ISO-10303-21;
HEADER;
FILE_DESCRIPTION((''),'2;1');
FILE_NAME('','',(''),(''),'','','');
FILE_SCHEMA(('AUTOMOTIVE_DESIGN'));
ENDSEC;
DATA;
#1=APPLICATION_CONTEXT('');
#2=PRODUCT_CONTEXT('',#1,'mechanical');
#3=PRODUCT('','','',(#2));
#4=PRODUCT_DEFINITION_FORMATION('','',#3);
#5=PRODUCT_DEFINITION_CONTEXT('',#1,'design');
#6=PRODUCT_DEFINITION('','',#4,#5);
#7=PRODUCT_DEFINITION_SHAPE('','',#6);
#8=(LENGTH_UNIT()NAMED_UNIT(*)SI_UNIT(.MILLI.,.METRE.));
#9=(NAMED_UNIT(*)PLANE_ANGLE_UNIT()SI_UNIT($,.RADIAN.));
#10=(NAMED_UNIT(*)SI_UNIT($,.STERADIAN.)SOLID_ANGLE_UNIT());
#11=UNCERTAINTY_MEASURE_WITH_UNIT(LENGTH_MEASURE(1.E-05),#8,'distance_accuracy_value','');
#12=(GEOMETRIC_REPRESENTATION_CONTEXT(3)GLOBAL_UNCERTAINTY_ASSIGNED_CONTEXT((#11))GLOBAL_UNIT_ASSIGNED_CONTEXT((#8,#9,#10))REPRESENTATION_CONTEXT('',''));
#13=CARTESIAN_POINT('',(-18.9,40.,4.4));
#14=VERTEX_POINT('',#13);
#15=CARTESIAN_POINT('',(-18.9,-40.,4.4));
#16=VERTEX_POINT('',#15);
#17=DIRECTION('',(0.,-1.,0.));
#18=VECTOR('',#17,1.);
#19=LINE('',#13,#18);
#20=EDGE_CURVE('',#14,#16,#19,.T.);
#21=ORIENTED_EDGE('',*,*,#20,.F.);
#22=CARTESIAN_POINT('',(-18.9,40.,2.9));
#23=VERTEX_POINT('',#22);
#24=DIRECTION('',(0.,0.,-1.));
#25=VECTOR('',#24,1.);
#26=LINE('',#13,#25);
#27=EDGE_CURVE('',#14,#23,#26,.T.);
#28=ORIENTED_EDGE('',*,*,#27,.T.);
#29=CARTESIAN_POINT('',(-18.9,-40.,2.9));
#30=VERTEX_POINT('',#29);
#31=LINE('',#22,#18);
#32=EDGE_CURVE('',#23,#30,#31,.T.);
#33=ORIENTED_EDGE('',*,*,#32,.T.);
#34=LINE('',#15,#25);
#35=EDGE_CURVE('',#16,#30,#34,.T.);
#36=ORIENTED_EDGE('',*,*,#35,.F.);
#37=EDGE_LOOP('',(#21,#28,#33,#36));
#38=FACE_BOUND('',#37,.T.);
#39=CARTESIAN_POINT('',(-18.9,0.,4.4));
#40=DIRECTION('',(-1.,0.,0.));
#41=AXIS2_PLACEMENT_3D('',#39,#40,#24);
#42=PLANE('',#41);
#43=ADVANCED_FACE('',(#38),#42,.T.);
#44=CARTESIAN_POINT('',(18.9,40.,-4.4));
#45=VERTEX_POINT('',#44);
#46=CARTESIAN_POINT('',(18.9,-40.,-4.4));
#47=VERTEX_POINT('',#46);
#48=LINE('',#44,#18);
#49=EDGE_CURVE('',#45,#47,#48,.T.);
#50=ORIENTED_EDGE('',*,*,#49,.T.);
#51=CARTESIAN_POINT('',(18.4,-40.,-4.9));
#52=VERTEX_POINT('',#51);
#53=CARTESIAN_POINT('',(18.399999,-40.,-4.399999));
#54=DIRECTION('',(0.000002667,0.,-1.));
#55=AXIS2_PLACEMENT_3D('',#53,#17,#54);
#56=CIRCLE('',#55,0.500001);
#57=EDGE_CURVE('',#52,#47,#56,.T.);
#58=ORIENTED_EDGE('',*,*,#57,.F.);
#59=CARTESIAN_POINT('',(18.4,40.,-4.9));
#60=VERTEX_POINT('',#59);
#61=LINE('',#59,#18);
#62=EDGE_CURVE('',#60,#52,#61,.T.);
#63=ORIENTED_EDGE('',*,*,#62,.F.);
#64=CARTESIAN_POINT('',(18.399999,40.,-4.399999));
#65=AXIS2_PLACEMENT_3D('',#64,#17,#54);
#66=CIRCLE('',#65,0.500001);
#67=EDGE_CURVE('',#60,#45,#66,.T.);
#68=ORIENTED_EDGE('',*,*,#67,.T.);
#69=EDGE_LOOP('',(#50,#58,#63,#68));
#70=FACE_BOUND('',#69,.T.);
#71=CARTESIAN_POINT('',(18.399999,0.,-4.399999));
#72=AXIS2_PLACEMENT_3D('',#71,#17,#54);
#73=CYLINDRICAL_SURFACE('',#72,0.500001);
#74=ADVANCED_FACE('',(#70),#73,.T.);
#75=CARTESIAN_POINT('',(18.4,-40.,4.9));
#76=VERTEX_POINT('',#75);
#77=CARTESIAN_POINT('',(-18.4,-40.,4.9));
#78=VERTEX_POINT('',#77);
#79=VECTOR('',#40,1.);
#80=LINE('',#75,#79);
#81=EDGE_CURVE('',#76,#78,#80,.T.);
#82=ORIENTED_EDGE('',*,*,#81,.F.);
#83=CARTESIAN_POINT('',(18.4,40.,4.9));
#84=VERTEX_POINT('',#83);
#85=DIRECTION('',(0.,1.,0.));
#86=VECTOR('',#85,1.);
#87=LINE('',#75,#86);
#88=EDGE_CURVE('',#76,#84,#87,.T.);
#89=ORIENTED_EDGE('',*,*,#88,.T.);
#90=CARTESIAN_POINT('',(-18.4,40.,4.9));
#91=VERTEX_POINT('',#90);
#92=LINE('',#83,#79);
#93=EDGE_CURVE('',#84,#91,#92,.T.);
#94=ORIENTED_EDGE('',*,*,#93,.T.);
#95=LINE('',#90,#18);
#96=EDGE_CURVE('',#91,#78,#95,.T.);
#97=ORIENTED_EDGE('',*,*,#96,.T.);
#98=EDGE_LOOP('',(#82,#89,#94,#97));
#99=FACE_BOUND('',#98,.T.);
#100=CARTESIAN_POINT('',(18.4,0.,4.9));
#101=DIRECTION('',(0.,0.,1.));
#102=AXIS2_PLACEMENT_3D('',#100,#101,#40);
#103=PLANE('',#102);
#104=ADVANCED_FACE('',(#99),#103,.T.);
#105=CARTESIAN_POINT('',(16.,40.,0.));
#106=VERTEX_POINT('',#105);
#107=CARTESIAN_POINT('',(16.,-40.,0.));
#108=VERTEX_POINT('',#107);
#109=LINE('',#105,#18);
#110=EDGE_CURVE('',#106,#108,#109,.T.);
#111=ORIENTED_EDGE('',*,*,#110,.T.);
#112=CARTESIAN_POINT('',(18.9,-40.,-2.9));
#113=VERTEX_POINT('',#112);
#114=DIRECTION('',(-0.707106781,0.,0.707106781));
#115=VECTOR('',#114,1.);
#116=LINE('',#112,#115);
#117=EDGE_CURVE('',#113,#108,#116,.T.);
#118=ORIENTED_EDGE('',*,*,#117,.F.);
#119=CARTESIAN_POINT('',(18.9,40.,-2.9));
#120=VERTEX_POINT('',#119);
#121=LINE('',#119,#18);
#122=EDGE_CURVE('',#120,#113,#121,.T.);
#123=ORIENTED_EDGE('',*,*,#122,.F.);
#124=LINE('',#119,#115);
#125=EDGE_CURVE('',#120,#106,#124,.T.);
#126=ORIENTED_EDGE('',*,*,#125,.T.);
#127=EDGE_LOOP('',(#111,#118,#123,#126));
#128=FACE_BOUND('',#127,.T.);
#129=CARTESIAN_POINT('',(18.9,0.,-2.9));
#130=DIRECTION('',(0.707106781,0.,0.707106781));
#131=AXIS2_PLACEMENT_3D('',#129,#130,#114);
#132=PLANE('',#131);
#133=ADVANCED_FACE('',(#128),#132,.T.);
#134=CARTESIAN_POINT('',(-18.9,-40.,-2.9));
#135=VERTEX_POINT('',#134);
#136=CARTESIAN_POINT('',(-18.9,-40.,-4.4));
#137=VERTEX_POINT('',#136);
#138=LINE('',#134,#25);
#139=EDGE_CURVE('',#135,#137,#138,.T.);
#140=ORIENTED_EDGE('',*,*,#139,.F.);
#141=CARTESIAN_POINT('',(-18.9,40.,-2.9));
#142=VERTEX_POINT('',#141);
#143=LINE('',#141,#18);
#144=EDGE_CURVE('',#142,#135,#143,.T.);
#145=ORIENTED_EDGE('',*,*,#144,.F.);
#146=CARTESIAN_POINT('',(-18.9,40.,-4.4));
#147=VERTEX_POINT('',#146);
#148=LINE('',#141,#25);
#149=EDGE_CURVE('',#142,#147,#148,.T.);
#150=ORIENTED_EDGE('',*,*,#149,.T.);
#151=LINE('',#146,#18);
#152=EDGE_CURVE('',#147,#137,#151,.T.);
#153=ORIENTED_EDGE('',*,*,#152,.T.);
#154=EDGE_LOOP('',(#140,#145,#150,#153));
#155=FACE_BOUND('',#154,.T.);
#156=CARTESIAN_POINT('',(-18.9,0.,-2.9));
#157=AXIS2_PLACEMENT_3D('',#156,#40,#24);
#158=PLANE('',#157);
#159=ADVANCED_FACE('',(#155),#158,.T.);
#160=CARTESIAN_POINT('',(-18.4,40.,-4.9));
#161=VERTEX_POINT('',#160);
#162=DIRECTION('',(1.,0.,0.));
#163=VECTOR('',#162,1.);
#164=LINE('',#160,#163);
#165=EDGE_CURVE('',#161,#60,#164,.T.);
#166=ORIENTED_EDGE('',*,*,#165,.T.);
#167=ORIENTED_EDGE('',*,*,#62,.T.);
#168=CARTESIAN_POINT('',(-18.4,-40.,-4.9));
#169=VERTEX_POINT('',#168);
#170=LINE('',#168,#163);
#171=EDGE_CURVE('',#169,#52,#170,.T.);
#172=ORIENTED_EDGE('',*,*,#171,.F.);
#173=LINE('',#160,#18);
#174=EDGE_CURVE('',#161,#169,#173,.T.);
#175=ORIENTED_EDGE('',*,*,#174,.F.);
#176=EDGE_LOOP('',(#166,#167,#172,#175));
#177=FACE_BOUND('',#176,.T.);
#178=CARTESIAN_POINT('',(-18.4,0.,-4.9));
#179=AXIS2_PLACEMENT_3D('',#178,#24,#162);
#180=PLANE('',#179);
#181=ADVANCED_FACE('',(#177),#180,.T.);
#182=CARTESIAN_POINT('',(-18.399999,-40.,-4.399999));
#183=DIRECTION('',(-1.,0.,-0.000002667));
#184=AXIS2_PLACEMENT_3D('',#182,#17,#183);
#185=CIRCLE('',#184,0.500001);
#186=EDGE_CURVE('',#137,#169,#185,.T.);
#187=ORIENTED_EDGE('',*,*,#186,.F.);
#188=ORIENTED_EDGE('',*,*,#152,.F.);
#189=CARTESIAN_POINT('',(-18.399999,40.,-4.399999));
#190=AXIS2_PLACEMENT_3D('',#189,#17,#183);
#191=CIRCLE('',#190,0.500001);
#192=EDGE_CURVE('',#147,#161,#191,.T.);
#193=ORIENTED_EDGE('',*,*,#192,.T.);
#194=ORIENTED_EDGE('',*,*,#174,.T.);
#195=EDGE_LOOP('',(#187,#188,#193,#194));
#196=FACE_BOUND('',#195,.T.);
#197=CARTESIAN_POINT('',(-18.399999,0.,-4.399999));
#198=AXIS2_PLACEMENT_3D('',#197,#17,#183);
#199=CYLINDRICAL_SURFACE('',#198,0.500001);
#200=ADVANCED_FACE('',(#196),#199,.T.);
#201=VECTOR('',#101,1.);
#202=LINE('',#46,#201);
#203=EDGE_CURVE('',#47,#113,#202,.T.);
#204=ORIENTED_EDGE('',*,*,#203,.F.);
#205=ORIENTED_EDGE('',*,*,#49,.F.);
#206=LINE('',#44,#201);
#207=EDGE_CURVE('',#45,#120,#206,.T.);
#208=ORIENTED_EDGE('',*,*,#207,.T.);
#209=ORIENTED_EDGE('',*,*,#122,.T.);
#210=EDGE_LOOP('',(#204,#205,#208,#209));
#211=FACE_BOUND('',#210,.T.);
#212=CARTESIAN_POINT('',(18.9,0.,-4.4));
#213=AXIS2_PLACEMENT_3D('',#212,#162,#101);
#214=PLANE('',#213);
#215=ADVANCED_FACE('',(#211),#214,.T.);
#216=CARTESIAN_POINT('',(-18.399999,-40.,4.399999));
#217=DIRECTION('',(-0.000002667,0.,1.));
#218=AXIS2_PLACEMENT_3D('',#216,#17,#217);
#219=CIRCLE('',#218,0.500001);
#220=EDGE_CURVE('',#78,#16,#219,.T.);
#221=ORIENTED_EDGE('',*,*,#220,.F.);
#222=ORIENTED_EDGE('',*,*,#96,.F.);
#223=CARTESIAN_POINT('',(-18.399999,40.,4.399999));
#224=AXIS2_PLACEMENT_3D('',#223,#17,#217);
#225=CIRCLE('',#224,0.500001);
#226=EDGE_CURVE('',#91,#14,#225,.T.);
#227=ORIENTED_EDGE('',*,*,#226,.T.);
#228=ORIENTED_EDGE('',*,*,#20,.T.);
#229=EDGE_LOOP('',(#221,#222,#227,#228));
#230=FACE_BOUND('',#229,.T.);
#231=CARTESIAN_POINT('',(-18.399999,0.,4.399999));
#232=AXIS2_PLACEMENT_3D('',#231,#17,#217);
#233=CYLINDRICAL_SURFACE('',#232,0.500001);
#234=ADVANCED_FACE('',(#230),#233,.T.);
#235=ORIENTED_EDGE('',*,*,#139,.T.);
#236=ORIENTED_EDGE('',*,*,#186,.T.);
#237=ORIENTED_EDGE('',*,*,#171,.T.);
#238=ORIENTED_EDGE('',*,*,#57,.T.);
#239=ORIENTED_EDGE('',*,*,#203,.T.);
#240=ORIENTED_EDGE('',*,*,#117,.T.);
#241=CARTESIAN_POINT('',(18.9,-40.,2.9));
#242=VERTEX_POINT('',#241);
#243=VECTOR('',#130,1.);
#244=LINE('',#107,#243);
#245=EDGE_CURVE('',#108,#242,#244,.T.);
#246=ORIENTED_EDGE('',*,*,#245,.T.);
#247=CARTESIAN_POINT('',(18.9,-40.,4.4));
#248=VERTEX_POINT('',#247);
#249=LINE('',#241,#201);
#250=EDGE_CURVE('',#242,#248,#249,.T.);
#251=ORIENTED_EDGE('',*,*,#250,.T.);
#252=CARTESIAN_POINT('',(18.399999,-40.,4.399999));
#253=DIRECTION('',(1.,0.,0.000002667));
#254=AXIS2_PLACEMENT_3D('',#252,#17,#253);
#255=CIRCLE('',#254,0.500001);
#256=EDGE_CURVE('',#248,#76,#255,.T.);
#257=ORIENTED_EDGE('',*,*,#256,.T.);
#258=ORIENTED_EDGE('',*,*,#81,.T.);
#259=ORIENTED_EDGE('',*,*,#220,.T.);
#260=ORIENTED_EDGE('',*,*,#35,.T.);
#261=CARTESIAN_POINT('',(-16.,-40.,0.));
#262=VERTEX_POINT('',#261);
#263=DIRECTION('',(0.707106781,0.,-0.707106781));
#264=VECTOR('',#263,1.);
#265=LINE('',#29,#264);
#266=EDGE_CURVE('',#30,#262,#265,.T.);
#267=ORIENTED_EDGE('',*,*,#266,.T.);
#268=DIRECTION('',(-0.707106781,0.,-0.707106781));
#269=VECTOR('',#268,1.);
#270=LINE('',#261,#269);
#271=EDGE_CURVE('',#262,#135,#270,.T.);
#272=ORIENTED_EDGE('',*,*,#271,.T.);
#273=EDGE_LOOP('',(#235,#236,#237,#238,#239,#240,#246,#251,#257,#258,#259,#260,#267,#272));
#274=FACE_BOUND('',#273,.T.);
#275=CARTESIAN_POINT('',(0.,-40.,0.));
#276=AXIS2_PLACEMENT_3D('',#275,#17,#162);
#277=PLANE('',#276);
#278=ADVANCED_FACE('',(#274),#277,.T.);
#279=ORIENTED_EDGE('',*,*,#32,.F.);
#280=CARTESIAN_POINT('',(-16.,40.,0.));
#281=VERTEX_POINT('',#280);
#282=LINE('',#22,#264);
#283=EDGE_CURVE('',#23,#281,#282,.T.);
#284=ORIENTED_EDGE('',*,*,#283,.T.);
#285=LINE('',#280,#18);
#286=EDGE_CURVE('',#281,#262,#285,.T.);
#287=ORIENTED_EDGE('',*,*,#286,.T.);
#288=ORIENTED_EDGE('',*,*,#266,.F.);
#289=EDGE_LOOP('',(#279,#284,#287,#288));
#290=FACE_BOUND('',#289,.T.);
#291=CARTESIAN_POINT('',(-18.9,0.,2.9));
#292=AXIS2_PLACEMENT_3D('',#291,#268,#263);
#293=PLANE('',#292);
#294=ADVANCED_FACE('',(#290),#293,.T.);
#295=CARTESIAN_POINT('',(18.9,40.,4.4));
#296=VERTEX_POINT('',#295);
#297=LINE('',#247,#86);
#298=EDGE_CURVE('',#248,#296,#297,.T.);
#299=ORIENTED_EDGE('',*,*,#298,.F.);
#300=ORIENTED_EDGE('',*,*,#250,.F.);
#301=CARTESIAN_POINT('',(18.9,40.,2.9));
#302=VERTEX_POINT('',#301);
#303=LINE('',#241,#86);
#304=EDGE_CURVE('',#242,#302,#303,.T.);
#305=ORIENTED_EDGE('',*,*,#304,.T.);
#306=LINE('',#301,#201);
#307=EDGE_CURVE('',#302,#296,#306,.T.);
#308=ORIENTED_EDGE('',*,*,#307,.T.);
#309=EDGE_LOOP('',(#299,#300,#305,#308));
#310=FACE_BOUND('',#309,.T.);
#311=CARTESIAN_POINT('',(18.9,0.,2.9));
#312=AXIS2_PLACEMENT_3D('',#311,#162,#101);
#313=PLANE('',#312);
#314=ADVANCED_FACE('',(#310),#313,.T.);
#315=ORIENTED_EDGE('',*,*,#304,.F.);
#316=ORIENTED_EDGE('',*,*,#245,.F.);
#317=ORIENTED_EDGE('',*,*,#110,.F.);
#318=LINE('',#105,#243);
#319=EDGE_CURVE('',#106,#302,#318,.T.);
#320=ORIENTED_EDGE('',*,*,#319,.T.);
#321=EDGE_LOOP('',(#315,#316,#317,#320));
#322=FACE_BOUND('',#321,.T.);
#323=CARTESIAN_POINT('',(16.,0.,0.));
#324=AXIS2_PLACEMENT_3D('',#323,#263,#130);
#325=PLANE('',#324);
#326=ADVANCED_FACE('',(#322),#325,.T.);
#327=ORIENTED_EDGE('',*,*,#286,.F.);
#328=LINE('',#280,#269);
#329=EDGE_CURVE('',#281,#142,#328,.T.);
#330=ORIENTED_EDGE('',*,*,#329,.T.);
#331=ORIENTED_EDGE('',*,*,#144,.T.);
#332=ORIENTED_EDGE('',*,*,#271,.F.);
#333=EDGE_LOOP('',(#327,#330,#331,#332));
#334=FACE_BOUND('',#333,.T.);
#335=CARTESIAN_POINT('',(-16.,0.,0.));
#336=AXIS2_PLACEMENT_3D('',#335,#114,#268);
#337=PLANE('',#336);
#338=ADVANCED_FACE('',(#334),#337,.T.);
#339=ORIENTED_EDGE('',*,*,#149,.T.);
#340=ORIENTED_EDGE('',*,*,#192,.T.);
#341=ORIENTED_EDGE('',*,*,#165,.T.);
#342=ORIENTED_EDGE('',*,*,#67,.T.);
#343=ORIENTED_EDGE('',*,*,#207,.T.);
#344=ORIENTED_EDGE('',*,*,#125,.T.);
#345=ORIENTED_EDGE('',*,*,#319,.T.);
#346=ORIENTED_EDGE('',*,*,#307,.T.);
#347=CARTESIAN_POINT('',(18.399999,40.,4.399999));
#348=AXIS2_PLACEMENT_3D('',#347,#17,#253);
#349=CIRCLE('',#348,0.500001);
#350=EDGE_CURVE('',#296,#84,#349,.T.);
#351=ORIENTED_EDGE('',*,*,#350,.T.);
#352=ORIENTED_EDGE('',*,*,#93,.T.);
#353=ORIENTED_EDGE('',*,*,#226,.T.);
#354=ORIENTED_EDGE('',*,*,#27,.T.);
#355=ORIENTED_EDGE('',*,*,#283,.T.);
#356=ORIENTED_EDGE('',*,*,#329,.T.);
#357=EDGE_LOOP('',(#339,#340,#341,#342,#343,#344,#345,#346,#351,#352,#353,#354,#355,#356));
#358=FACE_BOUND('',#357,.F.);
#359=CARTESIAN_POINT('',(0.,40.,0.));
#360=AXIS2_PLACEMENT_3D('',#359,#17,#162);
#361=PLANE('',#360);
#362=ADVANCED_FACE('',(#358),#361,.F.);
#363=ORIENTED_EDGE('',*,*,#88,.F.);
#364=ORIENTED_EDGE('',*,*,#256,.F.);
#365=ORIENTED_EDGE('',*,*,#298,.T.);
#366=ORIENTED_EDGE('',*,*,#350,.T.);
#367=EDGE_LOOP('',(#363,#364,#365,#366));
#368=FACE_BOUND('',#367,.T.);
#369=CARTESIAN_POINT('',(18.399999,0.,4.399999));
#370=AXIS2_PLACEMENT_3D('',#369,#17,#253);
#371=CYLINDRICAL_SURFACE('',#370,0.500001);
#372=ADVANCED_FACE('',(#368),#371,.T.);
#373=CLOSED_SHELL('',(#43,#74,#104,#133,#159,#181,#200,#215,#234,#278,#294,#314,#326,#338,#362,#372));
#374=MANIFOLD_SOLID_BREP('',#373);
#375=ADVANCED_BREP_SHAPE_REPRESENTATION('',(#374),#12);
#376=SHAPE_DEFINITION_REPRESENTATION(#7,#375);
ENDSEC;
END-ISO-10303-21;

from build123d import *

# Parameters (mm, degrees)
F1_DEPTH      = 40
F1_DEPTH_BACK = 40


with BuildPart() as f1:
    # F0 (on Front) → F1 (new body, two sides)
    with BuildSketch(Plane.XZ) as f1_sk:
        with BuildLine():
            Line((18.4, 4.9), (0, 4.9))
            Line((0, 4.9), (-18.4, 4.9))
            ThreePointArc((-18.4, 4.9), (-18.753553, 4.753553), (-18.9, 4.4))
            Line((-18.9, 4.4), (-18.9, 2.9))
            Line((-18.9, 2.9), (-16, 0))
            Line((-16, 0), (-18.9, -2.9))
            Line((-18.9, -2.9), (-18.9, -4.4))
            ThreePointArc((-18.9, -4.4), (-18.753553, -4.753553), (-18.4, -4.9))
            Line((-18.4, -4.9), (0, -4.9))
            Line((0, -4.9), (18.4, -4.9))
            ThreePointArc((18.4, -4.9), (18.753553, -4.753553), (18.9, -4.4))
            Line((18.9, -4.4), (18.9, -2.9))
            Line((18.9, -2.9), (16, 0))
            Line((16, 0), (18.9, 2.9))
            Line((18.9, 2.9), (18.9, 4.4))
            ThreePointArc((18.9, 4.4), (18.753553, 4.753553), (18.4, 4.9))
        make_face()
    extrude(amount=F1_DEPTH)
    extrude(f1_sk.sketch, amount=-F1_DEPTH_BACK)


solid = f1.part
